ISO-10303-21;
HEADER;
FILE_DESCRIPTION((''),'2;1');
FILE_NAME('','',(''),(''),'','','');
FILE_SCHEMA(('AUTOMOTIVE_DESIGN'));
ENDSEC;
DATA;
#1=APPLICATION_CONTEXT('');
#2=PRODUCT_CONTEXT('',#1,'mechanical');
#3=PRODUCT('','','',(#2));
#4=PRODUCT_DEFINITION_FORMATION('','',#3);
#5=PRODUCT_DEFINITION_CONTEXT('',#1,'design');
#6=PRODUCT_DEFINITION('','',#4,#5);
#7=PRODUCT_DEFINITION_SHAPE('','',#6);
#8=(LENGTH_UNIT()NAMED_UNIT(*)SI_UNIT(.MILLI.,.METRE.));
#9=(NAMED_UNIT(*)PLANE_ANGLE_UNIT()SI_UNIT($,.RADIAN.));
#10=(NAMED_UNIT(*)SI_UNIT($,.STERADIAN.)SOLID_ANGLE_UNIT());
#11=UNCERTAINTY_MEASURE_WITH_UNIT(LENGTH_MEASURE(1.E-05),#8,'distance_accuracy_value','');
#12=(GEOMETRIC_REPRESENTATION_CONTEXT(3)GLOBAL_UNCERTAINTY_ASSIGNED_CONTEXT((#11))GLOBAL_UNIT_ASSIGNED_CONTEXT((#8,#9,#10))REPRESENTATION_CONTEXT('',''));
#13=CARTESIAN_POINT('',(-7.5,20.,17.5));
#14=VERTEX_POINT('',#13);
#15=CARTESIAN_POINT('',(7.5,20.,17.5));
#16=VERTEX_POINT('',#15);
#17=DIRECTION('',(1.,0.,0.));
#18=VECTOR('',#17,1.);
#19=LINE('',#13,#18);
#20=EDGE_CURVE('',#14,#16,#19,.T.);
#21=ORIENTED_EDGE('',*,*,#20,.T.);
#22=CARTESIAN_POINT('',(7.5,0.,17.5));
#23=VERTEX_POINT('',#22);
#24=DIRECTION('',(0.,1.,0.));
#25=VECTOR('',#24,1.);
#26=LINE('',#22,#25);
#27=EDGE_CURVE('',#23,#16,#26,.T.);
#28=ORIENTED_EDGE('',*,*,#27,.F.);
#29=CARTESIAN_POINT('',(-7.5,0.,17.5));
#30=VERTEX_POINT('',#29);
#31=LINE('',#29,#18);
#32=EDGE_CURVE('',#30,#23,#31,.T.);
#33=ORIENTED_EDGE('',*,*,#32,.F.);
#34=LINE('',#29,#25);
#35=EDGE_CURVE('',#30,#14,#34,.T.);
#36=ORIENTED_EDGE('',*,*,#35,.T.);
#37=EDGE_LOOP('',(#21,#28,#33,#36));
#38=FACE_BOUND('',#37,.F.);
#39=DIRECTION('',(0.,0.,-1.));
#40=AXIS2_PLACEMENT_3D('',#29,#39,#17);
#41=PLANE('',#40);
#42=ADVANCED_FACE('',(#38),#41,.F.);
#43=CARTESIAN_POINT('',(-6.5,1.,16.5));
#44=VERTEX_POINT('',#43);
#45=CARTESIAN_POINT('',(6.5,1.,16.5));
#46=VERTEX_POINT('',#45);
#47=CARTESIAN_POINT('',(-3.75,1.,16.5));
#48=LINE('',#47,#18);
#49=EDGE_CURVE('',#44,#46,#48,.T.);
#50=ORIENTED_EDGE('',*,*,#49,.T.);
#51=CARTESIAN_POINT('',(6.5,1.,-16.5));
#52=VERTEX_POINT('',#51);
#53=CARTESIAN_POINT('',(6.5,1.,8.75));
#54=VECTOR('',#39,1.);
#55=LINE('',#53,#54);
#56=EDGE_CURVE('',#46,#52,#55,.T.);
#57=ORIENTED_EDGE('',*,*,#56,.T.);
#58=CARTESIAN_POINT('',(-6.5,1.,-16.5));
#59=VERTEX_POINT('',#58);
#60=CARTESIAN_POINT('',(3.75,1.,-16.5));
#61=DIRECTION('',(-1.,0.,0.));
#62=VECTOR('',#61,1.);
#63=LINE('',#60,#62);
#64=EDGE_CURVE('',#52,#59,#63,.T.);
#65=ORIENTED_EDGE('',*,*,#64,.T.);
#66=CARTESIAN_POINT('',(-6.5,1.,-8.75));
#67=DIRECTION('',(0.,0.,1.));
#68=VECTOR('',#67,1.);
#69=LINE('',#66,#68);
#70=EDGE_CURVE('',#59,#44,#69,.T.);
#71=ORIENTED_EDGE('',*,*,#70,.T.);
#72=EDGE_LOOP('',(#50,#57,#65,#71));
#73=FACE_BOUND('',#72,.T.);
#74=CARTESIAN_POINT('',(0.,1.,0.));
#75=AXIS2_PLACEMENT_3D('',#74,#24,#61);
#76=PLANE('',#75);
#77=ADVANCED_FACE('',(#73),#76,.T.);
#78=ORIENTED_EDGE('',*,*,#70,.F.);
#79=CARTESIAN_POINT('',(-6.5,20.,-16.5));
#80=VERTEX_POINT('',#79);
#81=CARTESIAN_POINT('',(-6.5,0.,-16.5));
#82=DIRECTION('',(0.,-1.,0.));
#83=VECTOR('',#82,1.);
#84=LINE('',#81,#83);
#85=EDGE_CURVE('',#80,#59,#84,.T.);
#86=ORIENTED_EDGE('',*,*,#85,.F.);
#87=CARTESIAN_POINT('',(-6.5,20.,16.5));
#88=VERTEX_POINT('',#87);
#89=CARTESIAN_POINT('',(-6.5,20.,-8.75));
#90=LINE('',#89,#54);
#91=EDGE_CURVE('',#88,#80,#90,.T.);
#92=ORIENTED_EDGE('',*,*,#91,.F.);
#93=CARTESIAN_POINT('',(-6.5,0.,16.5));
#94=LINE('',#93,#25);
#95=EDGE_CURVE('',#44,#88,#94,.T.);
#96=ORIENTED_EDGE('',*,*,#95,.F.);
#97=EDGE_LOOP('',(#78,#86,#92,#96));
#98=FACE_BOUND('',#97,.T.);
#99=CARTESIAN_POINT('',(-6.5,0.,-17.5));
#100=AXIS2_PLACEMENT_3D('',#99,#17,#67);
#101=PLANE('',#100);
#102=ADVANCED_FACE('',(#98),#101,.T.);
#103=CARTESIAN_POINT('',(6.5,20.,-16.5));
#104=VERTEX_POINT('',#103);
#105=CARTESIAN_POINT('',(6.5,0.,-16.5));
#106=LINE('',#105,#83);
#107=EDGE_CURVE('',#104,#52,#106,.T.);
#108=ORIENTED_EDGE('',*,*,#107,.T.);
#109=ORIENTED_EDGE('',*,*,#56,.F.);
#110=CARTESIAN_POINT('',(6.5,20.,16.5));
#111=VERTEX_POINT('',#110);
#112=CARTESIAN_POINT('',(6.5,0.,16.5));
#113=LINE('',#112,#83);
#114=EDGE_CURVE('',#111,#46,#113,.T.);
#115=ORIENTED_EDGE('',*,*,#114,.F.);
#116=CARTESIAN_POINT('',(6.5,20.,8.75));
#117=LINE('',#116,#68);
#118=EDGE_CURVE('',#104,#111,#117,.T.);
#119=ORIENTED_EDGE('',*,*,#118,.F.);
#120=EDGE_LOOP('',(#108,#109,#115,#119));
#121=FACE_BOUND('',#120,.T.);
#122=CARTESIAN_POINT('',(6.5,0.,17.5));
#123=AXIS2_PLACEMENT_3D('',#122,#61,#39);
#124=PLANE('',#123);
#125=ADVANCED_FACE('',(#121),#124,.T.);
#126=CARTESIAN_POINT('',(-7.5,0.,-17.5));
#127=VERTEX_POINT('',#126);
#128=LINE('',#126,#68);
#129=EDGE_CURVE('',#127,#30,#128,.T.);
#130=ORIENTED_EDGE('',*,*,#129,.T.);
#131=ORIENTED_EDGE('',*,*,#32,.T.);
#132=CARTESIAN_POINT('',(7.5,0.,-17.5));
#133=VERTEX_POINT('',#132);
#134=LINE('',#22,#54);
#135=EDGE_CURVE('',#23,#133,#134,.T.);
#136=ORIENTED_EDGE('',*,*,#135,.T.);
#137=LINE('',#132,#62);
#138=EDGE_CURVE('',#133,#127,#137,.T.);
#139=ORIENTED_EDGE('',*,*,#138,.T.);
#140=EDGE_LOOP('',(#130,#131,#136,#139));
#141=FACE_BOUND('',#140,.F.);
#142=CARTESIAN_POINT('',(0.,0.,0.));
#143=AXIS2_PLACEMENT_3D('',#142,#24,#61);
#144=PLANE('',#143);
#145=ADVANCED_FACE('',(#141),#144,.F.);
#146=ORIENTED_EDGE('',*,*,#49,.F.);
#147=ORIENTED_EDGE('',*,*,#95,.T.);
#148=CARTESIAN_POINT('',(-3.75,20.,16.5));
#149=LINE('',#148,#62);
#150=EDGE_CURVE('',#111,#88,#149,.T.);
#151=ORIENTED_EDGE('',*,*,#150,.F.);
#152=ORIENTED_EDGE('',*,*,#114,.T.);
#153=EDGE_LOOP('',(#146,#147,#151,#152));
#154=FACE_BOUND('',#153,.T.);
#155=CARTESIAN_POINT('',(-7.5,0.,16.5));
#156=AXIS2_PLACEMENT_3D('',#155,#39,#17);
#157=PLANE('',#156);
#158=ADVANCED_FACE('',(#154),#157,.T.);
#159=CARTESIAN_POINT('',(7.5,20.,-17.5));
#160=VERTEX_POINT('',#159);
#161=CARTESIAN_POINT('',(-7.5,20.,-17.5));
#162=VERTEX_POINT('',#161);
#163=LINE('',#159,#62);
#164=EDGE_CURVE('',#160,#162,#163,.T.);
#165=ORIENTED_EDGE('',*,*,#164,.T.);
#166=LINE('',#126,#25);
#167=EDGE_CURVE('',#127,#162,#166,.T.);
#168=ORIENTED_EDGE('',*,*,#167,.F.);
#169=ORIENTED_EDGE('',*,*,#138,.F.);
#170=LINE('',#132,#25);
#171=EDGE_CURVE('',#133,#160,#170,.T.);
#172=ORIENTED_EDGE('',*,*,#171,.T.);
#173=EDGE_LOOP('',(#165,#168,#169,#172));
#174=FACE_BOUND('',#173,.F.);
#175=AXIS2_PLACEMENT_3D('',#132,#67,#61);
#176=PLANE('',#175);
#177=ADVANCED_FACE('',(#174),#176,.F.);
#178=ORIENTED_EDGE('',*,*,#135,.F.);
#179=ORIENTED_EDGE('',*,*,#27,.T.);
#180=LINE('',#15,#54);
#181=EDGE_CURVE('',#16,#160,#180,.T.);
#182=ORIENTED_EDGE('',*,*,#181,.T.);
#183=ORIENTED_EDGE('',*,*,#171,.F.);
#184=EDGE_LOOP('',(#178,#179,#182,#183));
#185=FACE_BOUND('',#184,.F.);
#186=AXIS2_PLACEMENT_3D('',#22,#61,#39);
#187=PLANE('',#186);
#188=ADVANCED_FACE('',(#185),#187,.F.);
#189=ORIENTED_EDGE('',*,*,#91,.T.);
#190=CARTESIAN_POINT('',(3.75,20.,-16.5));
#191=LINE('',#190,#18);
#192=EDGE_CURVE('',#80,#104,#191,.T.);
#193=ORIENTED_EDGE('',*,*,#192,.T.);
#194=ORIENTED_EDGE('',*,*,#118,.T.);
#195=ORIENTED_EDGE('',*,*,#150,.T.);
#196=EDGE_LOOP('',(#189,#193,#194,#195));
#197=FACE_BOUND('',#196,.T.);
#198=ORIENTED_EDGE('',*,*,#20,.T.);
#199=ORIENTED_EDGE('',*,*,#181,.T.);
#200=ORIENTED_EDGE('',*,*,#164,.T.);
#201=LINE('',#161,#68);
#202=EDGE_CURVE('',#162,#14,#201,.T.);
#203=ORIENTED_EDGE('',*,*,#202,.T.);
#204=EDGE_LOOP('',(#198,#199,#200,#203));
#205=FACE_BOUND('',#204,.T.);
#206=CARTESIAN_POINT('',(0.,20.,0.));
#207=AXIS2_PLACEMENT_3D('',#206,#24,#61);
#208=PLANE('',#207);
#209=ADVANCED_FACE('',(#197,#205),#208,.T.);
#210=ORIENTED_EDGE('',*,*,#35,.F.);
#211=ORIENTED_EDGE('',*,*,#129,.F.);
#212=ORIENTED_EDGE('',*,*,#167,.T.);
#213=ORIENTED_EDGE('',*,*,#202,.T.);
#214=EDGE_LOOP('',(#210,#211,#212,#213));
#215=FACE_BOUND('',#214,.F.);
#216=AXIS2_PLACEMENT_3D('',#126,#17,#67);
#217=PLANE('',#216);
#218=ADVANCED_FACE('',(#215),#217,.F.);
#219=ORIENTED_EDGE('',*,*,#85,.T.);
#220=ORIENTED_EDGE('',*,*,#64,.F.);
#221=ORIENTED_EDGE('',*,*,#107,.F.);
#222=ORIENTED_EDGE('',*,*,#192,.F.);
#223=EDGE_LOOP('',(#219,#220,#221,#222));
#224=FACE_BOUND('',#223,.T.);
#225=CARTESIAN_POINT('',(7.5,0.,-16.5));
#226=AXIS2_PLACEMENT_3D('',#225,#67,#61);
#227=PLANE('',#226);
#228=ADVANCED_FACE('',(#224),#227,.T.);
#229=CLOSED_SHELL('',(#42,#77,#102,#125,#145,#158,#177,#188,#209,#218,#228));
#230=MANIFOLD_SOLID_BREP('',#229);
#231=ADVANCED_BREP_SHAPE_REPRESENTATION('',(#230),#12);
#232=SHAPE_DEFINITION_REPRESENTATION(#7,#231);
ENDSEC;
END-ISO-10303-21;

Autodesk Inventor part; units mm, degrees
ref_plane "YZ Plane" through (0, 0, 0) normal (1, 0, 0) x (0, 1, 0)
ref_plane "XZ Plane" through (0, 0, 0) normal (0, 1, 0) x (-1, 0, 0)
ref_plane "XY Plane" through (0, 0, 0) normal (0, 0, 1) x (1, 0, 0)
sketch "Sketch1" plane through (0, 0, 0) normal (0, 1, 0) x (-1, 0, 0)
  line L0 (7.5, 17.5) -> (-7.5, 17.5)
  line L1 (-7.5, 17.5) -> (-7.5, -17.5)
  line L2 (-7.5, -17.5) -> (7.5, -17.5)
  line L3 (7.5, -17.5) -> (7.5, 17.5)
  line L4 (7.5, 17.5) -> (-7.5, -17.5) construction
  line L5 (-7.5, 17.5) -> (7.5, -17.5) construction
  point P0 (0, 0)
  dimension "d0" = 35
  dimension "d1" = 15
extrude "Extrusion1" add sketch "Sketch1" along normal blind 20
shell "Shell1" thickness 1 removed faces 1 at (2.5, 20, -5.8333)
properties part number "servo housing"
